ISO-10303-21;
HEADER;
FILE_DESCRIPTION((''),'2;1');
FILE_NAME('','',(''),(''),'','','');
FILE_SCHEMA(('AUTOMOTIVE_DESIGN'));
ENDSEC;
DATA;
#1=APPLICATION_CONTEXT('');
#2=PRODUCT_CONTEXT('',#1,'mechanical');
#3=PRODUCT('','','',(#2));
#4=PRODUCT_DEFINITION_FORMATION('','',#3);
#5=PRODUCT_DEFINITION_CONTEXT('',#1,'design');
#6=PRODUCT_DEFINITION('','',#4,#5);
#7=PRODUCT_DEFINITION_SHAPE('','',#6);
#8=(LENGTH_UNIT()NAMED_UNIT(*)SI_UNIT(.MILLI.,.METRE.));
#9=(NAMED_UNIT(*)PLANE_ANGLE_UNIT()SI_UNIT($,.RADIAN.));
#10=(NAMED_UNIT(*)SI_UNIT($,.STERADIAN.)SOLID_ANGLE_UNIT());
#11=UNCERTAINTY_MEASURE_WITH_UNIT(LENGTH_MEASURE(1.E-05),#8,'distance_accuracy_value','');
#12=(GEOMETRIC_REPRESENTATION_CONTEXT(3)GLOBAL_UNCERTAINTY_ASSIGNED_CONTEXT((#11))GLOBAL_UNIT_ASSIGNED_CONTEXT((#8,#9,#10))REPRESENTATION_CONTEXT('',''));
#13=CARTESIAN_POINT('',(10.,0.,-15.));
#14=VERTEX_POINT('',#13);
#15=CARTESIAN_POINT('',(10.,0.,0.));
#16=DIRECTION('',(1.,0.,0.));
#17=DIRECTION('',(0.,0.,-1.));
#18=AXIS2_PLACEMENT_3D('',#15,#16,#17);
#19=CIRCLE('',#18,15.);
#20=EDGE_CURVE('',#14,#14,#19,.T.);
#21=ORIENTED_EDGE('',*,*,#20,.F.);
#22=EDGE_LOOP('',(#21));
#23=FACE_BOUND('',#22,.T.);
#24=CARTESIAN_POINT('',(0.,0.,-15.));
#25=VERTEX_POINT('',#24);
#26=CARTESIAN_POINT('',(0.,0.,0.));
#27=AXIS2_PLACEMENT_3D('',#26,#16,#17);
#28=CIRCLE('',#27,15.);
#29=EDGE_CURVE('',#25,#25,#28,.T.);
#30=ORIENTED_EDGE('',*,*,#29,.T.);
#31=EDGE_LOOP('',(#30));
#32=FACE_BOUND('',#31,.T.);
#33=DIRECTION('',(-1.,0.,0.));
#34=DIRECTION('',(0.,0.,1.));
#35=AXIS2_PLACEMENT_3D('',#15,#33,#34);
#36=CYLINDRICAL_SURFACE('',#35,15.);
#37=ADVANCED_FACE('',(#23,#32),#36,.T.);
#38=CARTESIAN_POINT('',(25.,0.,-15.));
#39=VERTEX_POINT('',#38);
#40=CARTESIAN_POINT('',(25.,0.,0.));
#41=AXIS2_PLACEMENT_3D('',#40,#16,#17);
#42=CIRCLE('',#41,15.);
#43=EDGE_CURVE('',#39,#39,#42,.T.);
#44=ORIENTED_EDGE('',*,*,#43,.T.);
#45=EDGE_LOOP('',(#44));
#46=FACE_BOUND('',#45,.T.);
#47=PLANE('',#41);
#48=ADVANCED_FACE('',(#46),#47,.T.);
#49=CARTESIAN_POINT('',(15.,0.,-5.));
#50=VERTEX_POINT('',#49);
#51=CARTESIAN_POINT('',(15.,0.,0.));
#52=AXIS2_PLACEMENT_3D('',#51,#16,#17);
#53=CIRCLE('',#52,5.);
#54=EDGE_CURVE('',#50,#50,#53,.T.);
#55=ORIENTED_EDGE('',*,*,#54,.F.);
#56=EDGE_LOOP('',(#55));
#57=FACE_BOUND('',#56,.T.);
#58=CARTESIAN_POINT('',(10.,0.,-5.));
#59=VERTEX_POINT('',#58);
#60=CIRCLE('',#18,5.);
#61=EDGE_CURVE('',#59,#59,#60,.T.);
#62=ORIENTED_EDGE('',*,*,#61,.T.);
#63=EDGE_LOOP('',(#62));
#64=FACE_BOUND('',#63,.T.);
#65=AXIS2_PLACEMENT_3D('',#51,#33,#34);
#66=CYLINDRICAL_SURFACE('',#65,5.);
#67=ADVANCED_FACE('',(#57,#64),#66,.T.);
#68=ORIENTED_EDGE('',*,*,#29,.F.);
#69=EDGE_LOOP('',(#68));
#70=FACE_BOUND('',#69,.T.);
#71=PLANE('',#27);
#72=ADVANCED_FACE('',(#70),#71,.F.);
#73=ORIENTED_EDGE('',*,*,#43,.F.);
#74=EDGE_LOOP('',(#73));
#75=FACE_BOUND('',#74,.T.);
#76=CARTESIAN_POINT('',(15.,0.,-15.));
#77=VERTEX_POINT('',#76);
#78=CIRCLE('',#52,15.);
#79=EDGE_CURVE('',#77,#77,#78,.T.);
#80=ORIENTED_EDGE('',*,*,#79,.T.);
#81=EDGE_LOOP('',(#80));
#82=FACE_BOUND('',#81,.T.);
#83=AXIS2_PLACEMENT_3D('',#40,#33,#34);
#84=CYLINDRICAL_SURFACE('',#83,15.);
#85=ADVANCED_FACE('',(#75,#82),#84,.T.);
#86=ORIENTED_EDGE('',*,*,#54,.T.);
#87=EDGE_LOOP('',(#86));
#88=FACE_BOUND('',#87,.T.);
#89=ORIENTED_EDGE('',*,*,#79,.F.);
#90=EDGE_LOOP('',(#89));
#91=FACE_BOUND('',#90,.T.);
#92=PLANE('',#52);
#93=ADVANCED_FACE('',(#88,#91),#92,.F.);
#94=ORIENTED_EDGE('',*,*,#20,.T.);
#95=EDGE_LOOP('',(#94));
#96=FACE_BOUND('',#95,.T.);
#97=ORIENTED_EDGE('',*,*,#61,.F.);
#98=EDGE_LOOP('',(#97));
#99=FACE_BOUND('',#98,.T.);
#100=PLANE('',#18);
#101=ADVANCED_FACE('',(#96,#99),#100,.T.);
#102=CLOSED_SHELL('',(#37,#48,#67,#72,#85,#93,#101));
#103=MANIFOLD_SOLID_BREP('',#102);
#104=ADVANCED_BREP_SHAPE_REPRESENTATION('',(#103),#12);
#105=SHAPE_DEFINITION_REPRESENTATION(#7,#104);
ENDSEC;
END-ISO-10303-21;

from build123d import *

# Parameters (mm, degrees)
CROQUIS1_R              = 15
SALIENTE_EXTRUIR1_DEPTH = 10
CROQUIS2_R              = 5
SALIENTE_EXTRUIR2_DEPTH = 5
CROQUIS3_R              = 15
SALIENTE_EXTRUIR3_DEPTH = 10


with BuildPart() as part:
    # Croquis1 → Saliente-Extruir1 (new body)
    with BuildSketch(Plane(origin=(0, 0, 0), x_dir=(0, 0, -1), z_dir=(1, 0, 0))):
        Circle(CROQUIS1_R)
    extrude(amount=SALIENTE_EXTRUIR1_DEPTH)

    # Croquis2 → Saliente-Extruir2 (add)
    with BuildSketch(Plane(origin=(10, 0, 0), x_dir=(0, 0, -1), z_dir=(1, 0, 0))):
        Circle(CROQUIS2_R)
    extrude(amount=SALIENTE_EXTRUIR2_DEPTH)

    # Croquis3 → Saliente-Extruir3 (add)
    with BuildSketch(Plane(origin=(15, 0, 0), x_dir=(0, 0, -1), z_dir=(1, 0, 0))):
        Circle(CROQUIS3_R)
    extrude(amount=SALIENTE_EXTRUIR3_DEPTH)


solid = part.part
